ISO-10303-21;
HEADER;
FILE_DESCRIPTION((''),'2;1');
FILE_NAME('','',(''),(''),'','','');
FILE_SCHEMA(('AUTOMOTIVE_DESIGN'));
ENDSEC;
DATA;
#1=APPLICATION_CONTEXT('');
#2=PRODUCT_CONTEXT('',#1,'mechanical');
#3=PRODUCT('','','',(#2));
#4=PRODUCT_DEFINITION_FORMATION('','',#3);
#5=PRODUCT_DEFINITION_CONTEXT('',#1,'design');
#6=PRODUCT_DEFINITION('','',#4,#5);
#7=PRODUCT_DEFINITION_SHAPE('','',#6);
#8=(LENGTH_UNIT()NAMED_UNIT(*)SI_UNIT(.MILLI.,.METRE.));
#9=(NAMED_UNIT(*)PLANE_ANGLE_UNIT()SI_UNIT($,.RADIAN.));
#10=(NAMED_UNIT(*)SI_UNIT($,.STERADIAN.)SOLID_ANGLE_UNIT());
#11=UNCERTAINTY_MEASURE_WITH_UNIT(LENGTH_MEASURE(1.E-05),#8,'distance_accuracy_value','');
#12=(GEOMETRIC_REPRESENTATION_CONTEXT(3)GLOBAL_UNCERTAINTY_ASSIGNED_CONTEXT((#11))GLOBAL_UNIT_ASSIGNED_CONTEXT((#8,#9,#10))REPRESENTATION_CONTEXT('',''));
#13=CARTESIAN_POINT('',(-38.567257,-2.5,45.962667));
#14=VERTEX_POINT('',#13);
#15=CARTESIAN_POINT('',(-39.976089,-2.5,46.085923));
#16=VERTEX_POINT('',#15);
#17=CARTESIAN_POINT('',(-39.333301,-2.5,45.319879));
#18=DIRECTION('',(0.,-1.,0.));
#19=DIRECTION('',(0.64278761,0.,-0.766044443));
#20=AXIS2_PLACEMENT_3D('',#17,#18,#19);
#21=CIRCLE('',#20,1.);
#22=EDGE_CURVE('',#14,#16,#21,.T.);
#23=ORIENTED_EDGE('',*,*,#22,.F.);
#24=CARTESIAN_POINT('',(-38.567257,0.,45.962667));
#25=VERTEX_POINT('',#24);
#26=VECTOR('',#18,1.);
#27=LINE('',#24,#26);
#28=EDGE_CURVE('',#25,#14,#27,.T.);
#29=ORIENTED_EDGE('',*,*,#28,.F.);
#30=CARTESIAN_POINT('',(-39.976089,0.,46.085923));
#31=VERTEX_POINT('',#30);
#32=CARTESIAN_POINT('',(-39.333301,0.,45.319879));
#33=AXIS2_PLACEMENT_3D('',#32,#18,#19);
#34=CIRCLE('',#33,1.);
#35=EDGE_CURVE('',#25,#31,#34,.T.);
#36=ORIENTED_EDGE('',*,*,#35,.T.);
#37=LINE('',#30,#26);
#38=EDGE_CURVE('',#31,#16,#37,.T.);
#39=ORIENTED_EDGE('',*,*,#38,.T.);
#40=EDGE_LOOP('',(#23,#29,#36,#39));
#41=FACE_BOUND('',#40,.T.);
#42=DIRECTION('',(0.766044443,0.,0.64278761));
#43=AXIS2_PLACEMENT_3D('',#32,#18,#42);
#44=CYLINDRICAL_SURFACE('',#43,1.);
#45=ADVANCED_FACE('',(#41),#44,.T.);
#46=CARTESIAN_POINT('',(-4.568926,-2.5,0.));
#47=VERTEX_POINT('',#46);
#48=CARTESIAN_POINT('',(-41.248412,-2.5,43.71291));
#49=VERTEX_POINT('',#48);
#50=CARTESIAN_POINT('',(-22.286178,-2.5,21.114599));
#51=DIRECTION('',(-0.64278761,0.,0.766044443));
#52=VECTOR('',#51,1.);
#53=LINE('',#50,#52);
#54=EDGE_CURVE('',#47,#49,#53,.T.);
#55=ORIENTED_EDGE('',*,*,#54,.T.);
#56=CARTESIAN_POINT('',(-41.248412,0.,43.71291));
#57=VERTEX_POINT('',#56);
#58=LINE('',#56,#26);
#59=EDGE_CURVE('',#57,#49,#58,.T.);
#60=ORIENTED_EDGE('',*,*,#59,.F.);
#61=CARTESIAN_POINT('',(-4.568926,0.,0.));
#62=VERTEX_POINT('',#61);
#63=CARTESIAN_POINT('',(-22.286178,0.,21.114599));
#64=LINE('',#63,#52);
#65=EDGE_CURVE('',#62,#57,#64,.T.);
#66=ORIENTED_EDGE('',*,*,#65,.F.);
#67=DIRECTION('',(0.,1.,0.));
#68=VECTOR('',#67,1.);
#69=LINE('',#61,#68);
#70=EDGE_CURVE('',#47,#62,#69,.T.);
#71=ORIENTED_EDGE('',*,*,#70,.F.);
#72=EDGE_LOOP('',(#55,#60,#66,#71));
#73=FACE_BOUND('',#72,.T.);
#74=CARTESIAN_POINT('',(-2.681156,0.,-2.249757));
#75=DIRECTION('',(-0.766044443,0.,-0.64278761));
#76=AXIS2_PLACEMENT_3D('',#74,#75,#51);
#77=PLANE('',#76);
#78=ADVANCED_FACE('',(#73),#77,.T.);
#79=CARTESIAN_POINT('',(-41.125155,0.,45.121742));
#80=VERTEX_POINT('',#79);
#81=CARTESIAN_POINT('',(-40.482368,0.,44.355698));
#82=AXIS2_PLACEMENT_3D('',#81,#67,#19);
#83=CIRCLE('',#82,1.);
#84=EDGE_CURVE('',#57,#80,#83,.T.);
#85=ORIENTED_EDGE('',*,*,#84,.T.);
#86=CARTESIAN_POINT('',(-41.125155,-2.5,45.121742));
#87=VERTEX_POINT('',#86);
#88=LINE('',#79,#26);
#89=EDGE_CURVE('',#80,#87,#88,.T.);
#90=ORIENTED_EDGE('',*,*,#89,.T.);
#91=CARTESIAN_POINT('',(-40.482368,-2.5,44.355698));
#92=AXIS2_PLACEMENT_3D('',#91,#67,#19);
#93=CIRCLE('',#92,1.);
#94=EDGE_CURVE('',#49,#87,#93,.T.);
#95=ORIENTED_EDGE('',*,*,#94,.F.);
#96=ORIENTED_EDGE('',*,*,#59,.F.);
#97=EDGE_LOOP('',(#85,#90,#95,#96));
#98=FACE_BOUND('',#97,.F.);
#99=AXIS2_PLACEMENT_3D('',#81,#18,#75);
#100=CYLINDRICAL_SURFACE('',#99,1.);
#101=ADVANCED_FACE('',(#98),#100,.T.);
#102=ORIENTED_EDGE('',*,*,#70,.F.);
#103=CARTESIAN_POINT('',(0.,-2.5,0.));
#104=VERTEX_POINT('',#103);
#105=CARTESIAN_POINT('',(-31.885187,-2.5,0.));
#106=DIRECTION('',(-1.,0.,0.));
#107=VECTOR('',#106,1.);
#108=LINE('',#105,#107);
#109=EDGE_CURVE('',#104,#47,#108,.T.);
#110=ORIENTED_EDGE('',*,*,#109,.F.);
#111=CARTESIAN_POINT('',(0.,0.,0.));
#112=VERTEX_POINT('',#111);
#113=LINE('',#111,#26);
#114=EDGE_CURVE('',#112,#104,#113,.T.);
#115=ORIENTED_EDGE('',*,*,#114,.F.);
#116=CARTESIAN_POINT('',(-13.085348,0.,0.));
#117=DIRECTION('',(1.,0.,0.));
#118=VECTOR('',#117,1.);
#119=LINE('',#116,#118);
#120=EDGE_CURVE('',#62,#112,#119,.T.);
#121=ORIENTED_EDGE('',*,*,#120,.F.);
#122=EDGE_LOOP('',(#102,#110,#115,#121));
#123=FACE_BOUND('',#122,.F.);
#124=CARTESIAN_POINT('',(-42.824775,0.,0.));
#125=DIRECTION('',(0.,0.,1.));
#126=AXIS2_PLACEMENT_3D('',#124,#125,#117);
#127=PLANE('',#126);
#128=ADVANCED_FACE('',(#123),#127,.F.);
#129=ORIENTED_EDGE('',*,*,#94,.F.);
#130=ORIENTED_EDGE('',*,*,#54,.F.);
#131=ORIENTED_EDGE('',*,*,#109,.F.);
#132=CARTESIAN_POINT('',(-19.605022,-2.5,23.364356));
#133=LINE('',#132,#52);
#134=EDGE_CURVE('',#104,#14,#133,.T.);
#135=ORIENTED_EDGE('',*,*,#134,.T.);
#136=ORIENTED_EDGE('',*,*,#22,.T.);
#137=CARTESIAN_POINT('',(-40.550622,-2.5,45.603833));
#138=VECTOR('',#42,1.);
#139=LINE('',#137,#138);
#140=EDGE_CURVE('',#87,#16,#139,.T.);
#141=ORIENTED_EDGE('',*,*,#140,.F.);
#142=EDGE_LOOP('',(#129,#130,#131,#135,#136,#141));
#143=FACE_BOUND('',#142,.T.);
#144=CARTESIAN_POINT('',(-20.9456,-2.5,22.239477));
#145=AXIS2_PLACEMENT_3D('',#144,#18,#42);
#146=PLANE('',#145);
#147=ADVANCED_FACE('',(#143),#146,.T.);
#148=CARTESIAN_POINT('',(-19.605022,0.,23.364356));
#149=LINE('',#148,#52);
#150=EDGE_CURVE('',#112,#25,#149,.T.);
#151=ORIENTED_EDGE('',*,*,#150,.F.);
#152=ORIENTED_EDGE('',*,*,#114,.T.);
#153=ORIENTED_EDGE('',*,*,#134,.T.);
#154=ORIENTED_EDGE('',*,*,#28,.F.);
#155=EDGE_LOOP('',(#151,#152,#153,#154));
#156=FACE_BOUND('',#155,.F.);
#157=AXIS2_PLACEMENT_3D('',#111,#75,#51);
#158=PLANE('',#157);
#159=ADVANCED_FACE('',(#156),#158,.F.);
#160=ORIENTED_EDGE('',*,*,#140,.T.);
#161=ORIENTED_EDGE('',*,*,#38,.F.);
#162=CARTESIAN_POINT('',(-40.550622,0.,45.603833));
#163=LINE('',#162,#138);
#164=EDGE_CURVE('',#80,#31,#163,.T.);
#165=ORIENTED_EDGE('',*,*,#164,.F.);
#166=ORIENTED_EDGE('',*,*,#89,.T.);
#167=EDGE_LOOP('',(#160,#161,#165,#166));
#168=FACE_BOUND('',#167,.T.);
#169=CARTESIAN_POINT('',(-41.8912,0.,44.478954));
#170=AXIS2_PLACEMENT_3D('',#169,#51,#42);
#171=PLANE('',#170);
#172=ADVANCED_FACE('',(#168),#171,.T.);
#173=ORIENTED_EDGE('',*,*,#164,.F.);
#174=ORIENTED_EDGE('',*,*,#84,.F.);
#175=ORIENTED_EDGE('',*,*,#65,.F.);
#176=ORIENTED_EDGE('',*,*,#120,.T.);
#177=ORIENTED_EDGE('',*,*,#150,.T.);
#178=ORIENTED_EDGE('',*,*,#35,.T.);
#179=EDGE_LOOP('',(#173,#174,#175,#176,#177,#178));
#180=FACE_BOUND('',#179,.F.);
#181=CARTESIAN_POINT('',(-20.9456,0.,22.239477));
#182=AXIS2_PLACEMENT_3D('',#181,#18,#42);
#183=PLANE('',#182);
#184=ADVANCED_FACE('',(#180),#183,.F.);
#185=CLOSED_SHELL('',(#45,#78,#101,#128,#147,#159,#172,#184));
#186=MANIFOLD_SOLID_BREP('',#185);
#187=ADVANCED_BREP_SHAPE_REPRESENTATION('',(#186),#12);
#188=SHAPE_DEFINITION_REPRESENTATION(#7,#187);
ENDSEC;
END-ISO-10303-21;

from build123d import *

# Parameters (mm, degrees)
F0_W     = 3.5
F0_H     = 61
F1_DEPTH = 2.5
F2_R     = 1
F3_ANGLE = -40
F4_W     = 59.4788547605
F4_H     = 9.7545320168
F5_DEPTH = 25


with BuildPart() as f1:
    # F0 (on Front) → F1 (new body)
    with BuildSketch(Plane.XZ):
        with Locations((-1.75, 30.5)):
            Rectangle(F0_W, F0_H)
    extrude(amount=F1_DEPTH)

    # F2
    f2_edges = [f1.edges().sort_by_distance(p)[0] for p in [
        (-3.5, -1.25, 61),
        (0, -1.25, 61),
    ]]
    fillet(f2_edges, radius=F2_R)


with BuildPart() as f1_1:
    # F3: moved
    add(f1.part.rotate(Axis((0, -1.25, 0), (0, 1, 0)), F3_ANGLE))


with BuildPart() as f5:
    # F4 (on Front) → F5 (new body)
    with BuildSketch(Plane.XZ):
        with Locations((-13.0853476003, -4.8772660084)):
            Rectangle(F4_W, F4_H)
    extrude(amount=F5_DEPTH)


with BuildPart() as f1_2:
    add(f1_1.part)

    # F6: cut F5
    add(f5.part, mode=Mode.SUBTRACT)


solid = f1_2.part
